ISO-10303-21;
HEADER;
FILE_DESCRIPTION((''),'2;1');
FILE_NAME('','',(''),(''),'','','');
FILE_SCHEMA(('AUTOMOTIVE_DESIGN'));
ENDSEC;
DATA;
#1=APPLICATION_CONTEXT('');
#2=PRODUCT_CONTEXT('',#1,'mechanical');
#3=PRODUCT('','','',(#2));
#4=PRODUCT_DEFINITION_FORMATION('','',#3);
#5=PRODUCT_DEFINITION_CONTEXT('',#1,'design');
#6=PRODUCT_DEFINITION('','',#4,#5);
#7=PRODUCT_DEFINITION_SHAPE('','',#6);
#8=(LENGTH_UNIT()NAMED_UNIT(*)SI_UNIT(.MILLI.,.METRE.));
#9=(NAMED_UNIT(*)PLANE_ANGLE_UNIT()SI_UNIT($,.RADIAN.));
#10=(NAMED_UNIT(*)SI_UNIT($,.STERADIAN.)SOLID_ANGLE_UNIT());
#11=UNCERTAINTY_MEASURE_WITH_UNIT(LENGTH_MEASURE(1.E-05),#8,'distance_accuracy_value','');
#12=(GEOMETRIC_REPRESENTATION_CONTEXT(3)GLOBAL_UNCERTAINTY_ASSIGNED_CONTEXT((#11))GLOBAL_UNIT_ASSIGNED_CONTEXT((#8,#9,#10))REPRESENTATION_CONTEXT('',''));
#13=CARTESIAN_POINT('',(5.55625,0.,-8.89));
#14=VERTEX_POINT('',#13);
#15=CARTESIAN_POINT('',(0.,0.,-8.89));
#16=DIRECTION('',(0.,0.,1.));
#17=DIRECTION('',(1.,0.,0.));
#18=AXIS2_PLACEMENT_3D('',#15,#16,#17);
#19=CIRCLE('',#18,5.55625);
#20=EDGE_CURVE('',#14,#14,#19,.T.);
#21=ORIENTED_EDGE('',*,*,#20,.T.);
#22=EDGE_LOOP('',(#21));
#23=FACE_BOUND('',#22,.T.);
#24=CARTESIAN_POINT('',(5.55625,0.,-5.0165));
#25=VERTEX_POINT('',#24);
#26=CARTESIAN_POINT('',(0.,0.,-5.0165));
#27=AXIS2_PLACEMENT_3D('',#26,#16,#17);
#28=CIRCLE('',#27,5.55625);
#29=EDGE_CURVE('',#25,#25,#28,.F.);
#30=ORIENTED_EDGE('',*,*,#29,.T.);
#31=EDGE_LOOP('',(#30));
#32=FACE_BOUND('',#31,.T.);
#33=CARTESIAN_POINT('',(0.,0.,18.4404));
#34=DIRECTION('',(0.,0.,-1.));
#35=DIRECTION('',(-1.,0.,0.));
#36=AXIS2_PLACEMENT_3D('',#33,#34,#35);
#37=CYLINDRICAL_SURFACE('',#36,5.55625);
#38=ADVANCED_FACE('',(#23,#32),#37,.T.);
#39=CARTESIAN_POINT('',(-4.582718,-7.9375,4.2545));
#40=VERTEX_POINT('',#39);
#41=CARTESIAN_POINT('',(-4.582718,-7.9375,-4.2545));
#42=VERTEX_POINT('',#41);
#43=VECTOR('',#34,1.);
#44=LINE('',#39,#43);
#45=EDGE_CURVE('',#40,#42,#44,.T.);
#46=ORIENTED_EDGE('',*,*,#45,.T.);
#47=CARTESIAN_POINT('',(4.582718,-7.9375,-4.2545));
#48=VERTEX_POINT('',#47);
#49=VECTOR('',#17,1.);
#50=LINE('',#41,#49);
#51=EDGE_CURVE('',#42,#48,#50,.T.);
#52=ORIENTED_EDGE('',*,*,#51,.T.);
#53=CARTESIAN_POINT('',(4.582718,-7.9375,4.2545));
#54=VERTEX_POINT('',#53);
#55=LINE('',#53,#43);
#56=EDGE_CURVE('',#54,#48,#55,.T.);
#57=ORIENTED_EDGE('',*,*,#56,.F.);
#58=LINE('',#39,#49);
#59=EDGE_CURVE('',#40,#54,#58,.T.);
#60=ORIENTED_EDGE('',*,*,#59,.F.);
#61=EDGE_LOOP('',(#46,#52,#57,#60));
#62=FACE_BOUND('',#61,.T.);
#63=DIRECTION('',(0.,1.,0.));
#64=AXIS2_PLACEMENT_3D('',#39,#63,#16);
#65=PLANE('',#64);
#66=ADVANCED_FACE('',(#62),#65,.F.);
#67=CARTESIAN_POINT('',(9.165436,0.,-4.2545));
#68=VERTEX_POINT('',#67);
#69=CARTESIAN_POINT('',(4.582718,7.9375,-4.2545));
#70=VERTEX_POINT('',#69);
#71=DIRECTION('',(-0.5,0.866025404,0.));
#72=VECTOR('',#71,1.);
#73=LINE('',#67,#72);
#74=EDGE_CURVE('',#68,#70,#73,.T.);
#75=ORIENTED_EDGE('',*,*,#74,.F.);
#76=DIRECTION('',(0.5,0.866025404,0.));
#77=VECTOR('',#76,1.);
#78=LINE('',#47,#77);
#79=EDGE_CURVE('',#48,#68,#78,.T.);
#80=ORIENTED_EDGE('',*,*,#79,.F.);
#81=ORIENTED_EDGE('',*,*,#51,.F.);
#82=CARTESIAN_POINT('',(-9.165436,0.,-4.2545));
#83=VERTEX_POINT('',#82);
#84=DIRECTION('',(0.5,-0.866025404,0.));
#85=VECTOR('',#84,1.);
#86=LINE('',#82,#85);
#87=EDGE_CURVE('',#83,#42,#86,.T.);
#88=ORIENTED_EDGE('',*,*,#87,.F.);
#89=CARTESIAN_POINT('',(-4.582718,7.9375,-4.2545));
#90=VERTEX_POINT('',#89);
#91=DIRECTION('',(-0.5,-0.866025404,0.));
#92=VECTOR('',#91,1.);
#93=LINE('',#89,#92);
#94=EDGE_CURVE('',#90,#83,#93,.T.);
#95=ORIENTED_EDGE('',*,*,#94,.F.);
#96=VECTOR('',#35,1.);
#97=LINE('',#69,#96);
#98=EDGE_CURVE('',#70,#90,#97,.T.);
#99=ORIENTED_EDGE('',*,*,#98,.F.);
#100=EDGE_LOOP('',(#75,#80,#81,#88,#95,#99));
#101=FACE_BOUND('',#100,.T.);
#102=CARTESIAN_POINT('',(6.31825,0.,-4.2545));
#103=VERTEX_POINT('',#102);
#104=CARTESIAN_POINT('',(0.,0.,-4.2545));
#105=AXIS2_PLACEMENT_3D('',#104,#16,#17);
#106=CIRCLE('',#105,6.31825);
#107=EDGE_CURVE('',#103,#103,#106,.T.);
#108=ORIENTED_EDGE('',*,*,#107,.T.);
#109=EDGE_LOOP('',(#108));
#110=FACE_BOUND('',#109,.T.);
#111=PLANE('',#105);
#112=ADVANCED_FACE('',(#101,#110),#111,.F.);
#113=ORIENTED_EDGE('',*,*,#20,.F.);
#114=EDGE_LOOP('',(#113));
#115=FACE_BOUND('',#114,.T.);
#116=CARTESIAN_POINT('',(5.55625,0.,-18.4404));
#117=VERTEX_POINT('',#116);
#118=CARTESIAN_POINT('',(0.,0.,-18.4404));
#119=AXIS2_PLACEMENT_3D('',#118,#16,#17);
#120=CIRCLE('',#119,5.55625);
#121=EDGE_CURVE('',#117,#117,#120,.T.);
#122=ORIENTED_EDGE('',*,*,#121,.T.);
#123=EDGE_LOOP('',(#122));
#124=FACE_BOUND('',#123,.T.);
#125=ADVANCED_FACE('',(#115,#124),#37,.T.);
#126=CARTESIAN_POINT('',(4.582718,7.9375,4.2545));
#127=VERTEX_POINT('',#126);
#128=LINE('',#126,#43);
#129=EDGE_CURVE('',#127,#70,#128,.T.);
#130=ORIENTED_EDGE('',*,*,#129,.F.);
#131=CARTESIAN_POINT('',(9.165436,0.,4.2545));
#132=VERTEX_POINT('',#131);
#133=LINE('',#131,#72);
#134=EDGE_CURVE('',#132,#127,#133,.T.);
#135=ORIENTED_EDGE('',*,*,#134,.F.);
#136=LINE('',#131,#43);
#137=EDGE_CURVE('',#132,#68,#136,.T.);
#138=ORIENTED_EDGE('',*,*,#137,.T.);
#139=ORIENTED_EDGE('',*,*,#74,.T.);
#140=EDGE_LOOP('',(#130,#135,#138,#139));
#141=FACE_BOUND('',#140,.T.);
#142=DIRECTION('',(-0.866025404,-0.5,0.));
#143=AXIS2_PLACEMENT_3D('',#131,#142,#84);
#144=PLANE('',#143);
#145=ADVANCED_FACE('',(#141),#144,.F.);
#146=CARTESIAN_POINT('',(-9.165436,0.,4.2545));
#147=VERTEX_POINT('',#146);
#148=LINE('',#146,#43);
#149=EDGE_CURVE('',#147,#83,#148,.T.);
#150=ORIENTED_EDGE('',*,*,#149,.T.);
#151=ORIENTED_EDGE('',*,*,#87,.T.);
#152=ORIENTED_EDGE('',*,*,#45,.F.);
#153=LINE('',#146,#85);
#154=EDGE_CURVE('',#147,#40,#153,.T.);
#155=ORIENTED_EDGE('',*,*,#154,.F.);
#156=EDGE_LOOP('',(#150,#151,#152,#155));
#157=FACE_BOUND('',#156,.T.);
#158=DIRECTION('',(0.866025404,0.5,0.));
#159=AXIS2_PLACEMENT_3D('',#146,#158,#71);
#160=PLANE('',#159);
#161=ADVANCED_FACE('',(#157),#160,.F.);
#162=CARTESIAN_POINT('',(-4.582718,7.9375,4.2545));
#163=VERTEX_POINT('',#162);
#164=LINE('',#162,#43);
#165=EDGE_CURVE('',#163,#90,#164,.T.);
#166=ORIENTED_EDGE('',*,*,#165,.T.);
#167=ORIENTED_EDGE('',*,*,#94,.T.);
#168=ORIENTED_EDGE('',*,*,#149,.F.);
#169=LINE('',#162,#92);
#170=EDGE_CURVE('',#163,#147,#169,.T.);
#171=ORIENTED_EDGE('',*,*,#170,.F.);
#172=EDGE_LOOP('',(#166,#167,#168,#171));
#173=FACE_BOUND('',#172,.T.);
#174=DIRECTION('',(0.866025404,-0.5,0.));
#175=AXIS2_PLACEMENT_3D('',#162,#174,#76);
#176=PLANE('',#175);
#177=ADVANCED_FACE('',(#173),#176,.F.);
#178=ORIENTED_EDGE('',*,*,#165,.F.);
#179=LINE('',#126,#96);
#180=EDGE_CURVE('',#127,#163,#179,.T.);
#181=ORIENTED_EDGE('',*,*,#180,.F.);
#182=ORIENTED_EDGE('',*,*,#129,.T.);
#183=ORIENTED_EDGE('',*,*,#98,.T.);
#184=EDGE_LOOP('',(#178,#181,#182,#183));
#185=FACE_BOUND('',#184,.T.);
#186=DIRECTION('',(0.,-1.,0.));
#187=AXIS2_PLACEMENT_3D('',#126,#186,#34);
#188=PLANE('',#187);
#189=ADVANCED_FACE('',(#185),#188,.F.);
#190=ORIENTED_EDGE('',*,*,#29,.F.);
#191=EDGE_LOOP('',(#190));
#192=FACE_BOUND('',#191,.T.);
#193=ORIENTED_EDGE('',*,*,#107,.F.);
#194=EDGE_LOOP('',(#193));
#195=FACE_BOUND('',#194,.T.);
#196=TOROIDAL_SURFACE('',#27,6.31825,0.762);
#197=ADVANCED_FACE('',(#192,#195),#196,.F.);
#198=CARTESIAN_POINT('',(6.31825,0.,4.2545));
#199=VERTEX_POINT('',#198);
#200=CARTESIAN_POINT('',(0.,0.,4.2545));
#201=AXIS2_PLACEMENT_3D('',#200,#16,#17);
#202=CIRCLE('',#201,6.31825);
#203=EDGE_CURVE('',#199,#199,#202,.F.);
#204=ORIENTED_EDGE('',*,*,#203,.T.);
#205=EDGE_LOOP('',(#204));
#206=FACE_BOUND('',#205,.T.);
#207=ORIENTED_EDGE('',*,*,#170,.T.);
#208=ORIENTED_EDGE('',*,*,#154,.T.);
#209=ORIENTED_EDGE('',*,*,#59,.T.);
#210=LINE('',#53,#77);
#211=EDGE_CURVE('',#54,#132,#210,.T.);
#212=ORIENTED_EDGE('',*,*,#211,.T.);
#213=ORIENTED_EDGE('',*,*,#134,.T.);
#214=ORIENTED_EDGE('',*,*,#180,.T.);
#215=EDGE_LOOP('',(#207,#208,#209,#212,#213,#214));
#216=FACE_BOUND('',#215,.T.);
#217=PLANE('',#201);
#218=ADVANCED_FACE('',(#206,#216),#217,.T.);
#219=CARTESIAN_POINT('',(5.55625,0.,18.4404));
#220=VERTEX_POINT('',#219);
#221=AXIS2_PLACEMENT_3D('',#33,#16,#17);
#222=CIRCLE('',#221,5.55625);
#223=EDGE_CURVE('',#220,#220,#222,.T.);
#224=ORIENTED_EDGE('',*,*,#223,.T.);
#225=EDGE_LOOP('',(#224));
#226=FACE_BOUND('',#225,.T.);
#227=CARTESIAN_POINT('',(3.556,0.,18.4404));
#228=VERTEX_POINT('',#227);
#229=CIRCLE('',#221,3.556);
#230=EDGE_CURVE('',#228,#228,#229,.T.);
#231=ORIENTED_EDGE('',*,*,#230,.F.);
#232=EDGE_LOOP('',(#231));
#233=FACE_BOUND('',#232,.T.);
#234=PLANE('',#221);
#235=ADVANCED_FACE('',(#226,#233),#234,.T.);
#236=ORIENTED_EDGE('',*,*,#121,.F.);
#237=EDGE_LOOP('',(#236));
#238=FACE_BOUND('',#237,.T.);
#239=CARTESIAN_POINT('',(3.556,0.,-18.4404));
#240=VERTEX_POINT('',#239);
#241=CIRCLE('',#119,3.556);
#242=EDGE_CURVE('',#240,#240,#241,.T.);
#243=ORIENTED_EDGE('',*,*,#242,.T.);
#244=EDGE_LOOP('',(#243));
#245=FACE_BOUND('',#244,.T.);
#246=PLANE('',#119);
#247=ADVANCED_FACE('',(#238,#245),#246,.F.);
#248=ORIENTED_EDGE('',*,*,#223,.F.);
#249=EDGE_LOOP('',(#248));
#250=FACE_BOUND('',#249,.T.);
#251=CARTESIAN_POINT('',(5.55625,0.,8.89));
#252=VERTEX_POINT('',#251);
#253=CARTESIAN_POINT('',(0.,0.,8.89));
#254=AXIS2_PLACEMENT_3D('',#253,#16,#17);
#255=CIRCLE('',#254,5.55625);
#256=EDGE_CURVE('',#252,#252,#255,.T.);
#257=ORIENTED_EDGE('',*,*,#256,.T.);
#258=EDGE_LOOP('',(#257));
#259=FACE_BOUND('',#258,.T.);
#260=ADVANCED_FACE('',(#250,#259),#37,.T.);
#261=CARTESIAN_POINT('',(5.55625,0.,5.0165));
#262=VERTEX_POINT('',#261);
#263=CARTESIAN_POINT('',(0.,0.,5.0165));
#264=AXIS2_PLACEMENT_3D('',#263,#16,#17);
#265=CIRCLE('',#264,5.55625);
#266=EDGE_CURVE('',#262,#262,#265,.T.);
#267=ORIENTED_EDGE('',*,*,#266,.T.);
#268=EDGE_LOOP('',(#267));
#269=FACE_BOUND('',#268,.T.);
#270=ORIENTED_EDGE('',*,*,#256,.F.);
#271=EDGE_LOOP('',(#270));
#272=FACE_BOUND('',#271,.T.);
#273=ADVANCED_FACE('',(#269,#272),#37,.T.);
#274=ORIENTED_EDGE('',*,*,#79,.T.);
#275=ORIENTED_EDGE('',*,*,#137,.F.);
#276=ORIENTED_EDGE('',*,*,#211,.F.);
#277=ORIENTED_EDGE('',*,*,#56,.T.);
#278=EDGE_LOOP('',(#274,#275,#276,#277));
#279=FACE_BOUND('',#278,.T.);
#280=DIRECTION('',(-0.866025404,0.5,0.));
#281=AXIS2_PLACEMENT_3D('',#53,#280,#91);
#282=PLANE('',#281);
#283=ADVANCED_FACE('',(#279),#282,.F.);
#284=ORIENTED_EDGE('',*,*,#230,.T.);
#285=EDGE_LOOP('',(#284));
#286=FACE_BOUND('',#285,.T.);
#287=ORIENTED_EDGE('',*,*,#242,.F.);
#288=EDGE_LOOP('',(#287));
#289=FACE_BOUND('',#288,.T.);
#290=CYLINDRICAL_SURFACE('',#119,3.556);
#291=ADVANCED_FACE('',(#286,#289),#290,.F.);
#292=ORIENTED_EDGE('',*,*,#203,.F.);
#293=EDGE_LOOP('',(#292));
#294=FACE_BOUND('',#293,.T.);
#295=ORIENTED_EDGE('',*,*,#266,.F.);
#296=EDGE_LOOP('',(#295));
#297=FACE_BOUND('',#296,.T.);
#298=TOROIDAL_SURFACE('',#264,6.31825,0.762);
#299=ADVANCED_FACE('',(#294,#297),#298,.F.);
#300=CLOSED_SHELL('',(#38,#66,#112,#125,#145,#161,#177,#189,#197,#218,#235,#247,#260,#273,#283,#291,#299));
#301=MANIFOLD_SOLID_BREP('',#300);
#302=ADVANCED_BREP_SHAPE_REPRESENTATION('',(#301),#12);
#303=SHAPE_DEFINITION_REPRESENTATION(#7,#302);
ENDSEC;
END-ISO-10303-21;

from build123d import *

# Parameters (mm, degrees)
SKETCH1_R           = 5.55625
BOSS_EXTRUDE1_DEPTH = 18.4404
BOSS_EXTRUDE2_DEPTH = 4.2545
SKETCH2_R           = 3.556
CUT_EXTRUDE1_DEPTH  = 39.822706284
FILLET1_R           = 0.762


with BuildPart() as part:
    # Sketch1 → Boss-Extrude1 (new, symmetric)
    with BuildSketch(Plane.XY):
        Circle(SKETCH1_R)
    extrude(amount=BOSS_EXTRUDE1_DEPTH, both=True)

    # Sketch3 → Boss-Extrude2 (add, symmetric)
    with BuildSketch(Plane.XY):
        Polygon((9.165435523, 0), (4.582717762, 7.9375), (-4.582717762, 7.9375), (-9.165435523, 0), (-4.582717762, -7.9375), (4.582717762, -7.9375), align=None)
    extrude(amount=BOSS_EXTRUDE2_DEPTH, both=True)

    # Sketch2 → Cut-Extrude1 (cut, through all)
    with BuildSketch(Plane.XY.offset(18.4404)):
        Circle(SKETCH2_R)
    extrude(amount=-CUT_EXTRUDE1_DEPTH, mode=Mode.SUBTRACT)

    # Fillet1
    fillet1_edges = [part.edges().sort_by_distance(p)[0] for p in [
        (-5.55625, 0, -4.2545),
        (-5.55625, 0, 4.2545),
    ]]
    fillet(fillet1_edges, radius=FILLET1_R)


solid = part.part
